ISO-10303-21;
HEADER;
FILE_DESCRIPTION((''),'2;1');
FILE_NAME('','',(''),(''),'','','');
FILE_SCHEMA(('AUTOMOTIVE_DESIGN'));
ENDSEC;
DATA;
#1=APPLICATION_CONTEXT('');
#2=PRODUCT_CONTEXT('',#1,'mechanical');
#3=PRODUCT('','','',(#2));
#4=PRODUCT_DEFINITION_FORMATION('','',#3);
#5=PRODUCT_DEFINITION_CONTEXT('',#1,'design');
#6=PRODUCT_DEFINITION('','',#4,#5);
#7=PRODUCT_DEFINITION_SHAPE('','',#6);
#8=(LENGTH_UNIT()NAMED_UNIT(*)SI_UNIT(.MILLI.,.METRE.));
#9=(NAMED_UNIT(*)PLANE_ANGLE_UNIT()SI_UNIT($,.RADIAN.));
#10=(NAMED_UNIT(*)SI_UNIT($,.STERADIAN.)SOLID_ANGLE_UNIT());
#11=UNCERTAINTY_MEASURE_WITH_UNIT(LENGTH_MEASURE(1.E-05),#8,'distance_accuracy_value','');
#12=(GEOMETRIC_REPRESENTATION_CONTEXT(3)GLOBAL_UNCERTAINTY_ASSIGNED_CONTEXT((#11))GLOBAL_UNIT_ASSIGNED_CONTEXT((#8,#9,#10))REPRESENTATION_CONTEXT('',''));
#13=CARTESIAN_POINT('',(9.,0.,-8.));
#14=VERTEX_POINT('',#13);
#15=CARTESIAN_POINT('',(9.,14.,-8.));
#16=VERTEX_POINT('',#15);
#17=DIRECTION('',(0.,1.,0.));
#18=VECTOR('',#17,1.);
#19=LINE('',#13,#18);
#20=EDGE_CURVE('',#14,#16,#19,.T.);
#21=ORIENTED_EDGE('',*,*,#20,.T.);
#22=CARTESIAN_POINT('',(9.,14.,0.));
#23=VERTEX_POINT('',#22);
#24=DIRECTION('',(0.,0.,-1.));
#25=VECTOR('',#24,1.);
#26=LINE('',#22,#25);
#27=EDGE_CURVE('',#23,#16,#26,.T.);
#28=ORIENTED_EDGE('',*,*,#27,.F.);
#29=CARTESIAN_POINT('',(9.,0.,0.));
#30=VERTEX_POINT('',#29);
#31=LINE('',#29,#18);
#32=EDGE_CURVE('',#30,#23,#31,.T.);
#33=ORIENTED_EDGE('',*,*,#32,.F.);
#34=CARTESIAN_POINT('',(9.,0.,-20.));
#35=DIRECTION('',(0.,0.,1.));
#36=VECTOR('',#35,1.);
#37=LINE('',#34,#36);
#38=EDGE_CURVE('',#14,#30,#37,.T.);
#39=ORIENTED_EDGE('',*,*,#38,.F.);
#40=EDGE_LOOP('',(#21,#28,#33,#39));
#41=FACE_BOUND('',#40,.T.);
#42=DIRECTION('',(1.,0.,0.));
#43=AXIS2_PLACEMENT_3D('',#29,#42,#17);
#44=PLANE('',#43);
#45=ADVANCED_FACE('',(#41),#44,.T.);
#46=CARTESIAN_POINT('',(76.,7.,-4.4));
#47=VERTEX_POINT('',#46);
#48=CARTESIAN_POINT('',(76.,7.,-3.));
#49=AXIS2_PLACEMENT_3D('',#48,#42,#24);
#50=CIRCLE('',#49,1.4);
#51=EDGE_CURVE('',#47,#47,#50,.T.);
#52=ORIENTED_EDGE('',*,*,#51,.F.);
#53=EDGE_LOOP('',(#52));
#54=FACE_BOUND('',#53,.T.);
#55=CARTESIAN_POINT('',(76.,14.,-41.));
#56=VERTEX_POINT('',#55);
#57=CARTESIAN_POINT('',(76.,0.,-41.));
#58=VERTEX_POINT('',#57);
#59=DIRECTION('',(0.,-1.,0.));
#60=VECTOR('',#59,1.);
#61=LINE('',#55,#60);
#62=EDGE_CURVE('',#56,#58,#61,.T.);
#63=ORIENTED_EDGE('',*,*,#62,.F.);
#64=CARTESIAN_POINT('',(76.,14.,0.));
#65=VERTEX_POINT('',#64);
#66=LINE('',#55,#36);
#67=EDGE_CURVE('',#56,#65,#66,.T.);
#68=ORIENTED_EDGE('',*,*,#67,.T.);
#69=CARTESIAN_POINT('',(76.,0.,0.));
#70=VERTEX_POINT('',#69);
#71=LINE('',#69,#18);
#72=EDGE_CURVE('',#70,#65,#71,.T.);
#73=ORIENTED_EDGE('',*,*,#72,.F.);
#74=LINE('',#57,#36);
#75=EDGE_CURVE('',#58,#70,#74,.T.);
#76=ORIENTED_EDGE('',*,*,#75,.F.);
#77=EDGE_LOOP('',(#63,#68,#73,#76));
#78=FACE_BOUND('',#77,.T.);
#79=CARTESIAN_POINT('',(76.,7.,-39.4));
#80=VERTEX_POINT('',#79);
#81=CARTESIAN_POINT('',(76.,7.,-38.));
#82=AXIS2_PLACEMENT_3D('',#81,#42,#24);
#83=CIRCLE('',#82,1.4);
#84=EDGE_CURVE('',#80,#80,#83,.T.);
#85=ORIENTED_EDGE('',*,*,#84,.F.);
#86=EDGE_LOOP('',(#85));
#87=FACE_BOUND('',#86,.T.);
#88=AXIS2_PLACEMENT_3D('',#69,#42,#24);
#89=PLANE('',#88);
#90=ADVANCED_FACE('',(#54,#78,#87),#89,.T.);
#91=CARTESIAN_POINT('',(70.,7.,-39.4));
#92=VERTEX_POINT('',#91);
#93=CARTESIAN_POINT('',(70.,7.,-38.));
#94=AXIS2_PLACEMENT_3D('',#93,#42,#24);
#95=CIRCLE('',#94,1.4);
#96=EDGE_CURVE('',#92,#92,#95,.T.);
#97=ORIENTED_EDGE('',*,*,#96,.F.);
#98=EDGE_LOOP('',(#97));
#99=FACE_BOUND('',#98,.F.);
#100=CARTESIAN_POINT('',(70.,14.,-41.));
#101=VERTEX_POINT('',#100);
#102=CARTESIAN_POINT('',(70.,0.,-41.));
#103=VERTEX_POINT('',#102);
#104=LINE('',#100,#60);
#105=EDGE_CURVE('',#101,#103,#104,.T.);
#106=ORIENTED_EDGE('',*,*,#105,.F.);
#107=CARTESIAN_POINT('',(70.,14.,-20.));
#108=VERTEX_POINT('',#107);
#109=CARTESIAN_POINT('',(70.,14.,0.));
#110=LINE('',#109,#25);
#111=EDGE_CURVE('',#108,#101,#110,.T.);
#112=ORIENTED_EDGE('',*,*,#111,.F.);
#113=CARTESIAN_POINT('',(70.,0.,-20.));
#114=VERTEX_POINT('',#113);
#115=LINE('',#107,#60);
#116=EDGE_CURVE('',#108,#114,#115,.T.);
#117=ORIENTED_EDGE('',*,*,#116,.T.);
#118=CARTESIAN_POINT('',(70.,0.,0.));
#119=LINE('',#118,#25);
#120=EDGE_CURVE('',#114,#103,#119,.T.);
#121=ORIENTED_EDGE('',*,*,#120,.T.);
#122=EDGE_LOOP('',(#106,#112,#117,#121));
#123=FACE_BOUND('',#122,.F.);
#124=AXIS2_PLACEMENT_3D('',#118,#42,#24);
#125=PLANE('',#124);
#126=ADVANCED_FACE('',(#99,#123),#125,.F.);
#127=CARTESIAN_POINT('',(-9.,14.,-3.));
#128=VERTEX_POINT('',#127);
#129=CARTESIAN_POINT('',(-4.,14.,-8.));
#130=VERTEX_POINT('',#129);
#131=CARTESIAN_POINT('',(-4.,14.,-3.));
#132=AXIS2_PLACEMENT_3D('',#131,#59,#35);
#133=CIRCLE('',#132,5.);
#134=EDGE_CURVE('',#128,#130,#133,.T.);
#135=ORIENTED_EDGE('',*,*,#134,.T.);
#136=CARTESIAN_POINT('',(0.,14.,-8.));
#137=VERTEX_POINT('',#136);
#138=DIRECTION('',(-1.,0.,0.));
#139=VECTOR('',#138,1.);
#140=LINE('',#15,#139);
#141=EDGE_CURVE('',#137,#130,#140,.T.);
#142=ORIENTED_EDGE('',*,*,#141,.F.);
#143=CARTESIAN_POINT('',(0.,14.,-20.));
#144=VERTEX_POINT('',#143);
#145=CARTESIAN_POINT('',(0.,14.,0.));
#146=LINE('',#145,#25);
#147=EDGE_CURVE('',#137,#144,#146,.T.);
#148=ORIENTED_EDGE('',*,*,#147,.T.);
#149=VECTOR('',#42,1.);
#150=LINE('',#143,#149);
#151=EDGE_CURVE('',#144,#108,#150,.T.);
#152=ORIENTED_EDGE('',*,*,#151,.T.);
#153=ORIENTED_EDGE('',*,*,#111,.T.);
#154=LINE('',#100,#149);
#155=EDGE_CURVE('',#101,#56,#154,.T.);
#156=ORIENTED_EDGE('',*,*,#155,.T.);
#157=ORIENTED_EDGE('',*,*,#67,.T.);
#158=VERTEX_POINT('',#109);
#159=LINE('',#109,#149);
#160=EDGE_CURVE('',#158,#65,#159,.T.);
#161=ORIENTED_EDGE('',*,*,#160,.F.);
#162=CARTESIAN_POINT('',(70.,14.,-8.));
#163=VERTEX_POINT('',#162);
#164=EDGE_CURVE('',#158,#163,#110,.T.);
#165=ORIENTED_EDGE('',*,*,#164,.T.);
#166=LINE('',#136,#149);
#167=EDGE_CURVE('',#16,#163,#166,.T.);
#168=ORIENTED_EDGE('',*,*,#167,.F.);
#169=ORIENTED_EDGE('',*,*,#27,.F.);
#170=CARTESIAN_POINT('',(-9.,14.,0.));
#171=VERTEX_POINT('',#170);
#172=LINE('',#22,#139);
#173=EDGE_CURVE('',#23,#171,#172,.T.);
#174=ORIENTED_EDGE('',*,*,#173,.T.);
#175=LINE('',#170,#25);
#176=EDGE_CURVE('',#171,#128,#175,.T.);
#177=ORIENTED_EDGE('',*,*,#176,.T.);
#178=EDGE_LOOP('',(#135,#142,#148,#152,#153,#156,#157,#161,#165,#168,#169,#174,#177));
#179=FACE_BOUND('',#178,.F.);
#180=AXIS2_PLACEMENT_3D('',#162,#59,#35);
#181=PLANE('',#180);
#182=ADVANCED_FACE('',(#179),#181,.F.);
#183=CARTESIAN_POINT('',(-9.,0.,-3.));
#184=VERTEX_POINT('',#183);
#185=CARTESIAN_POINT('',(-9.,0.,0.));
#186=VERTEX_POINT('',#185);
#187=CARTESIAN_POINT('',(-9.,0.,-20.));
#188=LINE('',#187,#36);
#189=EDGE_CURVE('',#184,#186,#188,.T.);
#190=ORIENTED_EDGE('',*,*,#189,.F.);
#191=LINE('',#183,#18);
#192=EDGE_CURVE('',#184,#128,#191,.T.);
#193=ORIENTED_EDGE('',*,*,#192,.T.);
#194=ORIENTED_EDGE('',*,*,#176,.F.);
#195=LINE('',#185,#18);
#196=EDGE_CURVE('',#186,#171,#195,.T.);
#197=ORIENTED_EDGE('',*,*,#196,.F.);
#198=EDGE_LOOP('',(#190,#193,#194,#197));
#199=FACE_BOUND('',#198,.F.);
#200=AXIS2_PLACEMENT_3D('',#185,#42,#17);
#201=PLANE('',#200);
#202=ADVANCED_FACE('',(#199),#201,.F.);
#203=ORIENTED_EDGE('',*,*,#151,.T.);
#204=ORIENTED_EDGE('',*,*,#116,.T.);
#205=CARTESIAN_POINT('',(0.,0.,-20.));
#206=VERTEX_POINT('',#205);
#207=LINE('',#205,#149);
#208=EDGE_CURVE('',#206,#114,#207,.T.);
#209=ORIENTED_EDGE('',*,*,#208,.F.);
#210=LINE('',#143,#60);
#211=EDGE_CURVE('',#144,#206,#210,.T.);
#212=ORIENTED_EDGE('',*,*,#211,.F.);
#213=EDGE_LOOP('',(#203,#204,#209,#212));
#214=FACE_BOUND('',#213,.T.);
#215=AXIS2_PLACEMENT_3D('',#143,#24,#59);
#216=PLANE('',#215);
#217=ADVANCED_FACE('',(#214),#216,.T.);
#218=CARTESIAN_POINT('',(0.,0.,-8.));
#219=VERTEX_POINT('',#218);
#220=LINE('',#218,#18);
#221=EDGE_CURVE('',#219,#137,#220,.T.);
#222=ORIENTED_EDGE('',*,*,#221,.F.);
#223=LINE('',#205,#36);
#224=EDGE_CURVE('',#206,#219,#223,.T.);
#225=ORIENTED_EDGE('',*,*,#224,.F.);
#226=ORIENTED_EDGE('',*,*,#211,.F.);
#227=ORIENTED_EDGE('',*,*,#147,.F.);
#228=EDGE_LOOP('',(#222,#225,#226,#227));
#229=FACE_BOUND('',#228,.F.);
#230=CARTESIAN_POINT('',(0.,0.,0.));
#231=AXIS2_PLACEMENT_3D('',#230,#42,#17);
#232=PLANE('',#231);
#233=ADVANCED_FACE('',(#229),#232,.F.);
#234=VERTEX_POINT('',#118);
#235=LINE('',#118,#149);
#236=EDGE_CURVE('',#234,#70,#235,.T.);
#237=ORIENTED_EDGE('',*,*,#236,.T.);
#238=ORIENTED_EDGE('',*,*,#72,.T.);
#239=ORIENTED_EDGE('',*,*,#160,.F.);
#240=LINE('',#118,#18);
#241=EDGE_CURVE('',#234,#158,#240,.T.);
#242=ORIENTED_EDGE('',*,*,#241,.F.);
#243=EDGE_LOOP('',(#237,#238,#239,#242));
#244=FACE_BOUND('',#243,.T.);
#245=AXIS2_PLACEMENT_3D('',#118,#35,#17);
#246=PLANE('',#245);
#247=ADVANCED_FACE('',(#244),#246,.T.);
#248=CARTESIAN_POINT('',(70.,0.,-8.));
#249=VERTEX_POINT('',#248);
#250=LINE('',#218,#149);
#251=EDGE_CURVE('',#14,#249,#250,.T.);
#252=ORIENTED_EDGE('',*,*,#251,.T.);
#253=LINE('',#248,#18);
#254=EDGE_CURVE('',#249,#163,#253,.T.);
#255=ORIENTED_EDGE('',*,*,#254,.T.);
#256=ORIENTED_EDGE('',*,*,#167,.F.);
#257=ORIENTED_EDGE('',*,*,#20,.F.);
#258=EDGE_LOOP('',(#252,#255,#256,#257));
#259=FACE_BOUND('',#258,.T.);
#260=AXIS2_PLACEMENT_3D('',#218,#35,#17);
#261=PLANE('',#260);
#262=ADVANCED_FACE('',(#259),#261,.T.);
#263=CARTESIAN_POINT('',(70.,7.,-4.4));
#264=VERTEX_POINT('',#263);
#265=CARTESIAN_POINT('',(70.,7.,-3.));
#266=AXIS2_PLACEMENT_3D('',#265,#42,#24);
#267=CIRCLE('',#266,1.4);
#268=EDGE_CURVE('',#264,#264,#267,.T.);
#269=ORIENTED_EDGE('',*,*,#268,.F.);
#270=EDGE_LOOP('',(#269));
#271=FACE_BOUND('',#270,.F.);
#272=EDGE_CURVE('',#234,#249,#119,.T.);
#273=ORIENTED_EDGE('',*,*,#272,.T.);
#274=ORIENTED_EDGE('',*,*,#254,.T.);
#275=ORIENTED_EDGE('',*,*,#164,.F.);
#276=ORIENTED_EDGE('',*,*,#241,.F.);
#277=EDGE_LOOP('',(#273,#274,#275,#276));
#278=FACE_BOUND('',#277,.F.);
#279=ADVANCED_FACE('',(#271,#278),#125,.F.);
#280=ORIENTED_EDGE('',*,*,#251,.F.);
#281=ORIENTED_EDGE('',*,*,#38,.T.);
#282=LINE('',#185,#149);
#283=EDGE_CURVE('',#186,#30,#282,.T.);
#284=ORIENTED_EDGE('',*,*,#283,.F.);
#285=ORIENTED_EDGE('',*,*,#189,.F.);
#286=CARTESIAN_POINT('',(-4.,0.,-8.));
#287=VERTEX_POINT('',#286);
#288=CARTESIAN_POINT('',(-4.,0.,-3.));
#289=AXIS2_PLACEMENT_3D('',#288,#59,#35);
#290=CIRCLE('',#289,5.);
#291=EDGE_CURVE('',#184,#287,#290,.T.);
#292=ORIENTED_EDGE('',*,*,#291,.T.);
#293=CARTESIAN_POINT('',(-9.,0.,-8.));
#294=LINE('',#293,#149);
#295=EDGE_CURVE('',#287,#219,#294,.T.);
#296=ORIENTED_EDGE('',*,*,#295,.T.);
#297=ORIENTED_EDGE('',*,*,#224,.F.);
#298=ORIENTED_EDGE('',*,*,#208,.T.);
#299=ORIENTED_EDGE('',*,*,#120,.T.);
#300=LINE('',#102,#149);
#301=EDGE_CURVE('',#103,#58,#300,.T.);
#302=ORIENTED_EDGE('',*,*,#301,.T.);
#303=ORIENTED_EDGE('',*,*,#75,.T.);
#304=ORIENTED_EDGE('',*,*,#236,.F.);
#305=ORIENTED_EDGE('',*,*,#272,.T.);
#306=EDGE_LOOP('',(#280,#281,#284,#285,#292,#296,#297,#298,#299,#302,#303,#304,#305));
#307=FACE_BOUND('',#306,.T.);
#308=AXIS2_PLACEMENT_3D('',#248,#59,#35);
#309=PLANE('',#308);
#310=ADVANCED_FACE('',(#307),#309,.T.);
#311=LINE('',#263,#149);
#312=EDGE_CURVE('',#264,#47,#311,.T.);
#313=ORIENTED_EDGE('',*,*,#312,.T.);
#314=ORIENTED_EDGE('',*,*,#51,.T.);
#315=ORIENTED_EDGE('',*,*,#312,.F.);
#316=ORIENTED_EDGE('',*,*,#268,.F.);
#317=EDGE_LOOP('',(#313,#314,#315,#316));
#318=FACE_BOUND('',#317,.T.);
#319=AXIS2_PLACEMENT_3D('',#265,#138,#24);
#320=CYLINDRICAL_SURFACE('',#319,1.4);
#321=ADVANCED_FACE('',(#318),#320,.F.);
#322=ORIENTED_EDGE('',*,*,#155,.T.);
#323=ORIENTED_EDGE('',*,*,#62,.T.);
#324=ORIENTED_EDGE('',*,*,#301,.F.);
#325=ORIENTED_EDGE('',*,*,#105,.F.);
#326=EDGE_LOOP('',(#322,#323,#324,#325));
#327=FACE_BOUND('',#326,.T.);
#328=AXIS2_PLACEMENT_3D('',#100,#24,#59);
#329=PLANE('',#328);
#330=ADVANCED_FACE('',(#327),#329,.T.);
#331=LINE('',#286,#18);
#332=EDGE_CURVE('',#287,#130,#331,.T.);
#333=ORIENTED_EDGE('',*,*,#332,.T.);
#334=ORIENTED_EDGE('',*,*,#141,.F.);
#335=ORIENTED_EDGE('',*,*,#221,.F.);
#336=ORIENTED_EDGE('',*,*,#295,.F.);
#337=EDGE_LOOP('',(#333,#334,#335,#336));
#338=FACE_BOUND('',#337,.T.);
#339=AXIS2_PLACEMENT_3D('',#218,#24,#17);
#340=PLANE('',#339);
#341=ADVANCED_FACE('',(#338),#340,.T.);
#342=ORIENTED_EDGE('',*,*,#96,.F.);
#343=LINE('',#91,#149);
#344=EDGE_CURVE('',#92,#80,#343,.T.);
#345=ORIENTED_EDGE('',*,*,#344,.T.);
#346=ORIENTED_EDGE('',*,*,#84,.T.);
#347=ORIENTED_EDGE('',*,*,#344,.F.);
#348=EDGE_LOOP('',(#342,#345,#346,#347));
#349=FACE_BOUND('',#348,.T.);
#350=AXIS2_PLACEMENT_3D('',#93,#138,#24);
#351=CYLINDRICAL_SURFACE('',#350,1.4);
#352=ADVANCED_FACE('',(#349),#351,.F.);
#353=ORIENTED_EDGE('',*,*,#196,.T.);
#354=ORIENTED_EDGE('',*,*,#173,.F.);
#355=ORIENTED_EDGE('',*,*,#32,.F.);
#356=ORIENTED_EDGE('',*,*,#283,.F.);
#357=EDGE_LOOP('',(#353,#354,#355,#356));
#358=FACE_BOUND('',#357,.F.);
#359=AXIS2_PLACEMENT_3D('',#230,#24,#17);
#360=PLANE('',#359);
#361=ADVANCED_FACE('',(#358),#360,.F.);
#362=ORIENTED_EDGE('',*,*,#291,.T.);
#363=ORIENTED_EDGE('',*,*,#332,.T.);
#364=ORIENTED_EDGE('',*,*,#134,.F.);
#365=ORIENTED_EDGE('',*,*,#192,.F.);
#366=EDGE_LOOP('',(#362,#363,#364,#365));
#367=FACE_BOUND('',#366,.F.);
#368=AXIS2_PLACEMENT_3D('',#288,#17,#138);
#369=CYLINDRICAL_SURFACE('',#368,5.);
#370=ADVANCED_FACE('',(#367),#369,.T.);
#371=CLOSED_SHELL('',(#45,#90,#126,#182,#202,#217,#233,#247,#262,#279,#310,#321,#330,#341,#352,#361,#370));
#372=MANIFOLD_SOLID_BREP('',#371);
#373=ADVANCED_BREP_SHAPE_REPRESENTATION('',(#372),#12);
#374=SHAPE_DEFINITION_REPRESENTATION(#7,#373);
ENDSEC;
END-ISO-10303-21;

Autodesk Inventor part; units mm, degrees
ref_plane "YZ Plane" through (0, 0, 0) normal (1, 0, 0) x (0, 1, 0)
ref_plane "XZ Plane" through (0, 0, 0) normal (0, 1, 0) x (-1, 0, 0)
ref_plane "XY Plane" through (0, 0, 0) normal (0, 0, 1) x (1, 0, 0)
sketch "Sketch1" plane through (0, 0, 0) normal (1, 0, 0) x (0, 1, 0)
  line L0 (0, 0) -> (14, 0)
  line L1 (14, 0) -> (14, -20)
  line L2 (14, -20) -> (0, -20)
  line L3 (0, -20) -> (0, 0)
  line L4 (14, -20) -> (0, -20)
  line L5 (0, -20) -> (0, -20)
  line L6 (0, -20) -> (14, -20)
  line L7 (14, -20) -> (14, -20)
  line L8 (0, 0) -> (0, -8)
  line L9 (0, -8) -> (14, -8)
  line L10 (14, -8) -> (14, 0)
  point P0 (14, -8)
  dimension "d12" = 14
  dimension "d13" = 20
  dimension "d14" = 12
  dimension "d15" = 0
extrude "Extrusion6" add sketch "Sketch1" along normal blind 70 contours L9 L1 L2 L3
extrude "Extrusion7" add sketch "Sketch1" against normal mid plane 18 contours L0 L1 L9 L3
fillet "Fillet1" radius 5 1 edges at (-9, 7, -8)
sketch "Sketch6" plane through (70, 0, 0) normal (1, 0, 0) x (0, 0, -1)
  line L0 (8, 14) -> (0, 14) projected
  line L1 (0, 14) -> (41, 14)
  line L2 (41, 14) -> (41, 0)
  line L3 (41, 0) -> (0, 0)
  line L4 (0, 0) -> (0, 14)
  circle A0 centre (38, 7) radius 1.4
  circle A1 centre (3, 7) radius 1.4
  line L5 (8, 14) -> (8, 0) projected
  dimension "d21" = 41
  dimension "d22" = 2.8
  dimension "d23" = 3
  dimension "d24" = 2.8
  dimension "d25" = 35
  dimension "d26" = 5
extrude "Extrusion8" add sketch "Sketch6" along normal blind 6
properties part number "_3DPrint"
